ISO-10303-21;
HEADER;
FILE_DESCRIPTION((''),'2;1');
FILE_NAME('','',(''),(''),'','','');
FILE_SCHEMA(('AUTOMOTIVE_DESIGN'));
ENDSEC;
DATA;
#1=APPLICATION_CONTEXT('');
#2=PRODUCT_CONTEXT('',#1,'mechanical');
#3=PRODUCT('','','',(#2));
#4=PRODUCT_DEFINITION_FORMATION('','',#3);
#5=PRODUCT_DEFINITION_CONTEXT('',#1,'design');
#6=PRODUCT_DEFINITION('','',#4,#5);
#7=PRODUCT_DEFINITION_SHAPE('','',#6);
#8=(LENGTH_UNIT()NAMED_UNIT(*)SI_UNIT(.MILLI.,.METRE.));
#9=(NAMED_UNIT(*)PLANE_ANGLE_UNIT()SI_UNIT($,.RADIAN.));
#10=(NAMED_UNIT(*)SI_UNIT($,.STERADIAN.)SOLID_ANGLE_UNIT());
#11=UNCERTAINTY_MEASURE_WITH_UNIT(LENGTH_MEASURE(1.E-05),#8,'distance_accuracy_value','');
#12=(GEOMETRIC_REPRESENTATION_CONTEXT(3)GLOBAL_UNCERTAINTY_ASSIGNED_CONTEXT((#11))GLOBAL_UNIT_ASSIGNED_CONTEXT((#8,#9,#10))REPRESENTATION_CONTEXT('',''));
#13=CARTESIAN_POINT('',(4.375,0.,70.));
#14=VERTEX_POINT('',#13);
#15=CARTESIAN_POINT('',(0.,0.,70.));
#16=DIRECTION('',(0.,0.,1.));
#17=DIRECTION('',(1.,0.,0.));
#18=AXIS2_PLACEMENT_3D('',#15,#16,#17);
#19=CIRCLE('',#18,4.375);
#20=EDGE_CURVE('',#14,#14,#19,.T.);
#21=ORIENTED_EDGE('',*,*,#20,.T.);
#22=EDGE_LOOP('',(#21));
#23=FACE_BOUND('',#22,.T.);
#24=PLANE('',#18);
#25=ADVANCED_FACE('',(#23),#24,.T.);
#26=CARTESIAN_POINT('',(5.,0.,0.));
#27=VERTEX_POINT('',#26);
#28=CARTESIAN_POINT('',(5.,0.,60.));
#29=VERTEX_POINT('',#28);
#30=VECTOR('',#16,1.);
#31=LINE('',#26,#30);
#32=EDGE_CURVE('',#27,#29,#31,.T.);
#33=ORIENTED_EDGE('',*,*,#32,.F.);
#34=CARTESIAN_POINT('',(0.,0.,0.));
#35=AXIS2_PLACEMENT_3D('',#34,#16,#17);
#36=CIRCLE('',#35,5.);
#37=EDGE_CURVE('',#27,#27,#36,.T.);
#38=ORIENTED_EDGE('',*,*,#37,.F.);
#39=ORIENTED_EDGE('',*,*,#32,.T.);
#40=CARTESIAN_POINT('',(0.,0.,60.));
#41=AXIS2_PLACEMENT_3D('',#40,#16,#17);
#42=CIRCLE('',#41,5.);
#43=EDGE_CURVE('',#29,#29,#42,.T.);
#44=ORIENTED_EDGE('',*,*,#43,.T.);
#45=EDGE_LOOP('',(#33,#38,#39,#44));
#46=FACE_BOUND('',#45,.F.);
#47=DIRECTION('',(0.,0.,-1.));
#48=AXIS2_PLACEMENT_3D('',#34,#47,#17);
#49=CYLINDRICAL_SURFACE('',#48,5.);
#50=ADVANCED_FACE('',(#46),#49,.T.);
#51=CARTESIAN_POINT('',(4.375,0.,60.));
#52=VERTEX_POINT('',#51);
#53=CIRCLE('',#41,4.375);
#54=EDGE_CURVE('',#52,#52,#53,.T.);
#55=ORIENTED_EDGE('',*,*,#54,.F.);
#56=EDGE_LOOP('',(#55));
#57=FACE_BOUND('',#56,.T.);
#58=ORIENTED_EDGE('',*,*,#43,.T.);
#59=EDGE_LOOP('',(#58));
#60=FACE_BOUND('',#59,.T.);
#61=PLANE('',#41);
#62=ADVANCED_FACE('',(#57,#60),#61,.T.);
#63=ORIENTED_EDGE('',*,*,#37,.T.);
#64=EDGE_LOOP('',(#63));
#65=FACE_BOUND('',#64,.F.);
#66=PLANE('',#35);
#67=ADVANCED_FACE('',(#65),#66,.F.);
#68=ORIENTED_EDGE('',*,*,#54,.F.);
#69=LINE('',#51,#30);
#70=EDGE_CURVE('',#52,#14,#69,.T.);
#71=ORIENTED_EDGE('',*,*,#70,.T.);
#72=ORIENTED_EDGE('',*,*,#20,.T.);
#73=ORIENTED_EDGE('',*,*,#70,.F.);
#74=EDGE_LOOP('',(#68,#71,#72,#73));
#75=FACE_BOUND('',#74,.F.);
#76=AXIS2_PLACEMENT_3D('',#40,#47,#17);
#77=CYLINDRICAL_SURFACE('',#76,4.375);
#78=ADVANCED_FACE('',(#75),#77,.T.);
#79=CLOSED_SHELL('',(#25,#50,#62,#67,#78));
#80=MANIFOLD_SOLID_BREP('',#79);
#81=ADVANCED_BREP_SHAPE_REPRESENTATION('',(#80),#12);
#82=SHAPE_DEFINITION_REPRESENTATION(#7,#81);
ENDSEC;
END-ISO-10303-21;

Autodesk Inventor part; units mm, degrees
ref_plane "YZ Plane" through (0, 0, 0) normal (1, 0, 0) x (0, 1, 0)
ref_plane "XZ Plane" through (0, 0, 0) normal (0, 1, 0) x (-1, 0, 0)
ref_plane "XY Plane" through (0, 0, 0) normal (0, 0, 1) x (1, 0, 0)
sketch "Sketch1" plane through (0, 0, 0) normal (0, 0, 1) x (1, 0, 0)
  circle A0 centre (0, 0) radius 5
  dimension "d0" = 10
extrude "Extrusion1" add sketch "Sketch1" along normal blind 60
sketch "Sketch2" plane through (0, 0, 60) normal (0, 0, 1) x (1, 0, 0)
  circle A0 centre (0, 0) radius 4.375
  dimension "d3" = 8.75
extrude "Extrusion2" add sketch "Sketch2" along normal blind 10
properties part number "handAdaptation"
